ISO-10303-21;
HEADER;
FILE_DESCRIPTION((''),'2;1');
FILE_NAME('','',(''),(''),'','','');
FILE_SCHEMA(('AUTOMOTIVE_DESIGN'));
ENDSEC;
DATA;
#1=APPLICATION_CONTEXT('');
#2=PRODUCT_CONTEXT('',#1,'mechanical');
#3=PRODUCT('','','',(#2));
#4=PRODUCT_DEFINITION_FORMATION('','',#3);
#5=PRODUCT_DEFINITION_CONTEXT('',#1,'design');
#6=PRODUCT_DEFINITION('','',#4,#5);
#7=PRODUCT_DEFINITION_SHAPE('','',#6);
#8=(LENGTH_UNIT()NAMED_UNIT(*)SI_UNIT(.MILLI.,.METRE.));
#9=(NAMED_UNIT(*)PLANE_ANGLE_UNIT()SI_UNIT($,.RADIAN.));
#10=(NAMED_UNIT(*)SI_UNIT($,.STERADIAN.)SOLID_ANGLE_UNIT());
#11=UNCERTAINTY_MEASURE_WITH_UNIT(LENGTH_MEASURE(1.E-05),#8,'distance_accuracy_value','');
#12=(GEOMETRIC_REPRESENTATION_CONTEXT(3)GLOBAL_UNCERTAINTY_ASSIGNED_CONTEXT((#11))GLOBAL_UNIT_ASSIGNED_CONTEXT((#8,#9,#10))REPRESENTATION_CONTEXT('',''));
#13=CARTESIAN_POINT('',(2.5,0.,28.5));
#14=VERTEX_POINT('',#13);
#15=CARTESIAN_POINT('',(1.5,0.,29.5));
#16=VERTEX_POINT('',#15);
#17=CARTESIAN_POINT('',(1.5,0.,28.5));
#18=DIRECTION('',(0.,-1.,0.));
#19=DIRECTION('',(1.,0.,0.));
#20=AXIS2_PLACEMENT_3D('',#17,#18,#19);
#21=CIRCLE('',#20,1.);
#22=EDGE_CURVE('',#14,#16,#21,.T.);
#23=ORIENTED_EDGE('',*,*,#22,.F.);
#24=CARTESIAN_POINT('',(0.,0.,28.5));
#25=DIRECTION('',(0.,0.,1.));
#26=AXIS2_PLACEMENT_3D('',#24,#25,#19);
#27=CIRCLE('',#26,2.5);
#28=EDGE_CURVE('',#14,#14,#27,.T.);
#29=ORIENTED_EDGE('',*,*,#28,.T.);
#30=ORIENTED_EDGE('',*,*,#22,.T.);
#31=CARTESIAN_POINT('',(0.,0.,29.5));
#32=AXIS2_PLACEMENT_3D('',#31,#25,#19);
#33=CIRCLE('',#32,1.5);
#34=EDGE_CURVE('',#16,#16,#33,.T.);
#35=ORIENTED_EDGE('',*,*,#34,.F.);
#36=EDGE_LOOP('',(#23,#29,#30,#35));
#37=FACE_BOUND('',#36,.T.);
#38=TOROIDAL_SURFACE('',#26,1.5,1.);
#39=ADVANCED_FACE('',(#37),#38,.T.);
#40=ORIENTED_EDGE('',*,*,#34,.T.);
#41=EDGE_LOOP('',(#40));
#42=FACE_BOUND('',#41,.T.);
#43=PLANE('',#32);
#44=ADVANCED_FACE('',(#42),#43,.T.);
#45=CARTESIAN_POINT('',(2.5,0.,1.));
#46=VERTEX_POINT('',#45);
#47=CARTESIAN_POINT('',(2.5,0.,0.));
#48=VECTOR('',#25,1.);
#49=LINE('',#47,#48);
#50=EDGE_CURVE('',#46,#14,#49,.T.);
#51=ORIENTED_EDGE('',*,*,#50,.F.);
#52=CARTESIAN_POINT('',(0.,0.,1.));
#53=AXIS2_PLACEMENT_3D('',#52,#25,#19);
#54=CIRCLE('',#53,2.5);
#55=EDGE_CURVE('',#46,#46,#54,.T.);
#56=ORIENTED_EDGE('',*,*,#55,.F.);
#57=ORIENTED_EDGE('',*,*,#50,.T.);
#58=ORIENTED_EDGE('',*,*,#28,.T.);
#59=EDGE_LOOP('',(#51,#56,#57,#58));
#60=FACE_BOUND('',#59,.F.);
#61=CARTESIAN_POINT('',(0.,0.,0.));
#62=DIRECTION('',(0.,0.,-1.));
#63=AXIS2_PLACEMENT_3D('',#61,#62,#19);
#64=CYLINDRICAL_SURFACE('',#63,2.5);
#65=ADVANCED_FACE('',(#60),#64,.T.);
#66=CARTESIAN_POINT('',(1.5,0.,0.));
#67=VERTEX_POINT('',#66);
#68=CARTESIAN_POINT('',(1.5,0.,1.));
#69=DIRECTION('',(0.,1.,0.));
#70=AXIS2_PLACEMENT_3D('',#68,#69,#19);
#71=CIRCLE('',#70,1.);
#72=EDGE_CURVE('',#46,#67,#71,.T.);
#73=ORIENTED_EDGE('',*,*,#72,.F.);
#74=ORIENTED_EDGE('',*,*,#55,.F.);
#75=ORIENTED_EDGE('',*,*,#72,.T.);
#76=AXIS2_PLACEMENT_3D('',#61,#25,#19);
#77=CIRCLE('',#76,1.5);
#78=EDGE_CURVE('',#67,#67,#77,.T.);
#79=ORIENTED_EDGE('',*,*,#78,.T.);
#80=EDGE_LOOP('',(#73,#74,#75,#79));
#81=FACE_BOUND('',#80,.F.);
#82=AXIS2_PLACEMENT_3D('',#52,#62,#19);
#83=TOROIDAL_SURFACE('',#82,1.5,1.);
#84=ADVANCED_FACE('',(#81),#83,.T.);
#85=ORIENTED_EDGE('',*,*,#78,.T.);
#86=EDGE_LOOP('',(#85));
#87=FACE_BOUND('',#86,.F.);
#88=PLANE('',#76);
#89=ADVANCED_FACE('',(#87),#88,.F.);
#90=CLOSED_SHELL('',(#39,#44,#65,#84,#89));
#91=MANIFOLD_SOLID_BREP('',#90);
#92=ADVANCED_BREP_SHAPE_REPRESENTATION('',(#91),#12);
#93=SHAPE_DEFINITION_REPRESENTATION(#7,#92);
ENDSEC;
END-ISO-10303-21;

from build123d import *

# Parameters (mm, degrees)
SKETCH_R    = 2.5
PAD_DEPTH   = 29.5
FILLET_R    = 1
FILLET001_R = 1


with BuildPart() as part:
    # Sketch → Pad (new body)
    with BuildSketch(Plane.XY):
        Circle(SKETCH_R)
    extrude(amount=PAD_DEPTH)

    # Fillet
    fillet_edges = [part.edges().sort_by_distance(p)[0] for p in [
        (-2.5, 0, 29.5),
    ]]
    fillet(fillet_edges, radius=FILLET_R)

    # Fillet001
    fillet001_edges = [part.edges().sort_by_distance(p)[0] for p in [
        (-2.5, 0, 0),
    ]]
    fillet(fillet001_edges, radius=FILLET001_R)


solid = part.part
